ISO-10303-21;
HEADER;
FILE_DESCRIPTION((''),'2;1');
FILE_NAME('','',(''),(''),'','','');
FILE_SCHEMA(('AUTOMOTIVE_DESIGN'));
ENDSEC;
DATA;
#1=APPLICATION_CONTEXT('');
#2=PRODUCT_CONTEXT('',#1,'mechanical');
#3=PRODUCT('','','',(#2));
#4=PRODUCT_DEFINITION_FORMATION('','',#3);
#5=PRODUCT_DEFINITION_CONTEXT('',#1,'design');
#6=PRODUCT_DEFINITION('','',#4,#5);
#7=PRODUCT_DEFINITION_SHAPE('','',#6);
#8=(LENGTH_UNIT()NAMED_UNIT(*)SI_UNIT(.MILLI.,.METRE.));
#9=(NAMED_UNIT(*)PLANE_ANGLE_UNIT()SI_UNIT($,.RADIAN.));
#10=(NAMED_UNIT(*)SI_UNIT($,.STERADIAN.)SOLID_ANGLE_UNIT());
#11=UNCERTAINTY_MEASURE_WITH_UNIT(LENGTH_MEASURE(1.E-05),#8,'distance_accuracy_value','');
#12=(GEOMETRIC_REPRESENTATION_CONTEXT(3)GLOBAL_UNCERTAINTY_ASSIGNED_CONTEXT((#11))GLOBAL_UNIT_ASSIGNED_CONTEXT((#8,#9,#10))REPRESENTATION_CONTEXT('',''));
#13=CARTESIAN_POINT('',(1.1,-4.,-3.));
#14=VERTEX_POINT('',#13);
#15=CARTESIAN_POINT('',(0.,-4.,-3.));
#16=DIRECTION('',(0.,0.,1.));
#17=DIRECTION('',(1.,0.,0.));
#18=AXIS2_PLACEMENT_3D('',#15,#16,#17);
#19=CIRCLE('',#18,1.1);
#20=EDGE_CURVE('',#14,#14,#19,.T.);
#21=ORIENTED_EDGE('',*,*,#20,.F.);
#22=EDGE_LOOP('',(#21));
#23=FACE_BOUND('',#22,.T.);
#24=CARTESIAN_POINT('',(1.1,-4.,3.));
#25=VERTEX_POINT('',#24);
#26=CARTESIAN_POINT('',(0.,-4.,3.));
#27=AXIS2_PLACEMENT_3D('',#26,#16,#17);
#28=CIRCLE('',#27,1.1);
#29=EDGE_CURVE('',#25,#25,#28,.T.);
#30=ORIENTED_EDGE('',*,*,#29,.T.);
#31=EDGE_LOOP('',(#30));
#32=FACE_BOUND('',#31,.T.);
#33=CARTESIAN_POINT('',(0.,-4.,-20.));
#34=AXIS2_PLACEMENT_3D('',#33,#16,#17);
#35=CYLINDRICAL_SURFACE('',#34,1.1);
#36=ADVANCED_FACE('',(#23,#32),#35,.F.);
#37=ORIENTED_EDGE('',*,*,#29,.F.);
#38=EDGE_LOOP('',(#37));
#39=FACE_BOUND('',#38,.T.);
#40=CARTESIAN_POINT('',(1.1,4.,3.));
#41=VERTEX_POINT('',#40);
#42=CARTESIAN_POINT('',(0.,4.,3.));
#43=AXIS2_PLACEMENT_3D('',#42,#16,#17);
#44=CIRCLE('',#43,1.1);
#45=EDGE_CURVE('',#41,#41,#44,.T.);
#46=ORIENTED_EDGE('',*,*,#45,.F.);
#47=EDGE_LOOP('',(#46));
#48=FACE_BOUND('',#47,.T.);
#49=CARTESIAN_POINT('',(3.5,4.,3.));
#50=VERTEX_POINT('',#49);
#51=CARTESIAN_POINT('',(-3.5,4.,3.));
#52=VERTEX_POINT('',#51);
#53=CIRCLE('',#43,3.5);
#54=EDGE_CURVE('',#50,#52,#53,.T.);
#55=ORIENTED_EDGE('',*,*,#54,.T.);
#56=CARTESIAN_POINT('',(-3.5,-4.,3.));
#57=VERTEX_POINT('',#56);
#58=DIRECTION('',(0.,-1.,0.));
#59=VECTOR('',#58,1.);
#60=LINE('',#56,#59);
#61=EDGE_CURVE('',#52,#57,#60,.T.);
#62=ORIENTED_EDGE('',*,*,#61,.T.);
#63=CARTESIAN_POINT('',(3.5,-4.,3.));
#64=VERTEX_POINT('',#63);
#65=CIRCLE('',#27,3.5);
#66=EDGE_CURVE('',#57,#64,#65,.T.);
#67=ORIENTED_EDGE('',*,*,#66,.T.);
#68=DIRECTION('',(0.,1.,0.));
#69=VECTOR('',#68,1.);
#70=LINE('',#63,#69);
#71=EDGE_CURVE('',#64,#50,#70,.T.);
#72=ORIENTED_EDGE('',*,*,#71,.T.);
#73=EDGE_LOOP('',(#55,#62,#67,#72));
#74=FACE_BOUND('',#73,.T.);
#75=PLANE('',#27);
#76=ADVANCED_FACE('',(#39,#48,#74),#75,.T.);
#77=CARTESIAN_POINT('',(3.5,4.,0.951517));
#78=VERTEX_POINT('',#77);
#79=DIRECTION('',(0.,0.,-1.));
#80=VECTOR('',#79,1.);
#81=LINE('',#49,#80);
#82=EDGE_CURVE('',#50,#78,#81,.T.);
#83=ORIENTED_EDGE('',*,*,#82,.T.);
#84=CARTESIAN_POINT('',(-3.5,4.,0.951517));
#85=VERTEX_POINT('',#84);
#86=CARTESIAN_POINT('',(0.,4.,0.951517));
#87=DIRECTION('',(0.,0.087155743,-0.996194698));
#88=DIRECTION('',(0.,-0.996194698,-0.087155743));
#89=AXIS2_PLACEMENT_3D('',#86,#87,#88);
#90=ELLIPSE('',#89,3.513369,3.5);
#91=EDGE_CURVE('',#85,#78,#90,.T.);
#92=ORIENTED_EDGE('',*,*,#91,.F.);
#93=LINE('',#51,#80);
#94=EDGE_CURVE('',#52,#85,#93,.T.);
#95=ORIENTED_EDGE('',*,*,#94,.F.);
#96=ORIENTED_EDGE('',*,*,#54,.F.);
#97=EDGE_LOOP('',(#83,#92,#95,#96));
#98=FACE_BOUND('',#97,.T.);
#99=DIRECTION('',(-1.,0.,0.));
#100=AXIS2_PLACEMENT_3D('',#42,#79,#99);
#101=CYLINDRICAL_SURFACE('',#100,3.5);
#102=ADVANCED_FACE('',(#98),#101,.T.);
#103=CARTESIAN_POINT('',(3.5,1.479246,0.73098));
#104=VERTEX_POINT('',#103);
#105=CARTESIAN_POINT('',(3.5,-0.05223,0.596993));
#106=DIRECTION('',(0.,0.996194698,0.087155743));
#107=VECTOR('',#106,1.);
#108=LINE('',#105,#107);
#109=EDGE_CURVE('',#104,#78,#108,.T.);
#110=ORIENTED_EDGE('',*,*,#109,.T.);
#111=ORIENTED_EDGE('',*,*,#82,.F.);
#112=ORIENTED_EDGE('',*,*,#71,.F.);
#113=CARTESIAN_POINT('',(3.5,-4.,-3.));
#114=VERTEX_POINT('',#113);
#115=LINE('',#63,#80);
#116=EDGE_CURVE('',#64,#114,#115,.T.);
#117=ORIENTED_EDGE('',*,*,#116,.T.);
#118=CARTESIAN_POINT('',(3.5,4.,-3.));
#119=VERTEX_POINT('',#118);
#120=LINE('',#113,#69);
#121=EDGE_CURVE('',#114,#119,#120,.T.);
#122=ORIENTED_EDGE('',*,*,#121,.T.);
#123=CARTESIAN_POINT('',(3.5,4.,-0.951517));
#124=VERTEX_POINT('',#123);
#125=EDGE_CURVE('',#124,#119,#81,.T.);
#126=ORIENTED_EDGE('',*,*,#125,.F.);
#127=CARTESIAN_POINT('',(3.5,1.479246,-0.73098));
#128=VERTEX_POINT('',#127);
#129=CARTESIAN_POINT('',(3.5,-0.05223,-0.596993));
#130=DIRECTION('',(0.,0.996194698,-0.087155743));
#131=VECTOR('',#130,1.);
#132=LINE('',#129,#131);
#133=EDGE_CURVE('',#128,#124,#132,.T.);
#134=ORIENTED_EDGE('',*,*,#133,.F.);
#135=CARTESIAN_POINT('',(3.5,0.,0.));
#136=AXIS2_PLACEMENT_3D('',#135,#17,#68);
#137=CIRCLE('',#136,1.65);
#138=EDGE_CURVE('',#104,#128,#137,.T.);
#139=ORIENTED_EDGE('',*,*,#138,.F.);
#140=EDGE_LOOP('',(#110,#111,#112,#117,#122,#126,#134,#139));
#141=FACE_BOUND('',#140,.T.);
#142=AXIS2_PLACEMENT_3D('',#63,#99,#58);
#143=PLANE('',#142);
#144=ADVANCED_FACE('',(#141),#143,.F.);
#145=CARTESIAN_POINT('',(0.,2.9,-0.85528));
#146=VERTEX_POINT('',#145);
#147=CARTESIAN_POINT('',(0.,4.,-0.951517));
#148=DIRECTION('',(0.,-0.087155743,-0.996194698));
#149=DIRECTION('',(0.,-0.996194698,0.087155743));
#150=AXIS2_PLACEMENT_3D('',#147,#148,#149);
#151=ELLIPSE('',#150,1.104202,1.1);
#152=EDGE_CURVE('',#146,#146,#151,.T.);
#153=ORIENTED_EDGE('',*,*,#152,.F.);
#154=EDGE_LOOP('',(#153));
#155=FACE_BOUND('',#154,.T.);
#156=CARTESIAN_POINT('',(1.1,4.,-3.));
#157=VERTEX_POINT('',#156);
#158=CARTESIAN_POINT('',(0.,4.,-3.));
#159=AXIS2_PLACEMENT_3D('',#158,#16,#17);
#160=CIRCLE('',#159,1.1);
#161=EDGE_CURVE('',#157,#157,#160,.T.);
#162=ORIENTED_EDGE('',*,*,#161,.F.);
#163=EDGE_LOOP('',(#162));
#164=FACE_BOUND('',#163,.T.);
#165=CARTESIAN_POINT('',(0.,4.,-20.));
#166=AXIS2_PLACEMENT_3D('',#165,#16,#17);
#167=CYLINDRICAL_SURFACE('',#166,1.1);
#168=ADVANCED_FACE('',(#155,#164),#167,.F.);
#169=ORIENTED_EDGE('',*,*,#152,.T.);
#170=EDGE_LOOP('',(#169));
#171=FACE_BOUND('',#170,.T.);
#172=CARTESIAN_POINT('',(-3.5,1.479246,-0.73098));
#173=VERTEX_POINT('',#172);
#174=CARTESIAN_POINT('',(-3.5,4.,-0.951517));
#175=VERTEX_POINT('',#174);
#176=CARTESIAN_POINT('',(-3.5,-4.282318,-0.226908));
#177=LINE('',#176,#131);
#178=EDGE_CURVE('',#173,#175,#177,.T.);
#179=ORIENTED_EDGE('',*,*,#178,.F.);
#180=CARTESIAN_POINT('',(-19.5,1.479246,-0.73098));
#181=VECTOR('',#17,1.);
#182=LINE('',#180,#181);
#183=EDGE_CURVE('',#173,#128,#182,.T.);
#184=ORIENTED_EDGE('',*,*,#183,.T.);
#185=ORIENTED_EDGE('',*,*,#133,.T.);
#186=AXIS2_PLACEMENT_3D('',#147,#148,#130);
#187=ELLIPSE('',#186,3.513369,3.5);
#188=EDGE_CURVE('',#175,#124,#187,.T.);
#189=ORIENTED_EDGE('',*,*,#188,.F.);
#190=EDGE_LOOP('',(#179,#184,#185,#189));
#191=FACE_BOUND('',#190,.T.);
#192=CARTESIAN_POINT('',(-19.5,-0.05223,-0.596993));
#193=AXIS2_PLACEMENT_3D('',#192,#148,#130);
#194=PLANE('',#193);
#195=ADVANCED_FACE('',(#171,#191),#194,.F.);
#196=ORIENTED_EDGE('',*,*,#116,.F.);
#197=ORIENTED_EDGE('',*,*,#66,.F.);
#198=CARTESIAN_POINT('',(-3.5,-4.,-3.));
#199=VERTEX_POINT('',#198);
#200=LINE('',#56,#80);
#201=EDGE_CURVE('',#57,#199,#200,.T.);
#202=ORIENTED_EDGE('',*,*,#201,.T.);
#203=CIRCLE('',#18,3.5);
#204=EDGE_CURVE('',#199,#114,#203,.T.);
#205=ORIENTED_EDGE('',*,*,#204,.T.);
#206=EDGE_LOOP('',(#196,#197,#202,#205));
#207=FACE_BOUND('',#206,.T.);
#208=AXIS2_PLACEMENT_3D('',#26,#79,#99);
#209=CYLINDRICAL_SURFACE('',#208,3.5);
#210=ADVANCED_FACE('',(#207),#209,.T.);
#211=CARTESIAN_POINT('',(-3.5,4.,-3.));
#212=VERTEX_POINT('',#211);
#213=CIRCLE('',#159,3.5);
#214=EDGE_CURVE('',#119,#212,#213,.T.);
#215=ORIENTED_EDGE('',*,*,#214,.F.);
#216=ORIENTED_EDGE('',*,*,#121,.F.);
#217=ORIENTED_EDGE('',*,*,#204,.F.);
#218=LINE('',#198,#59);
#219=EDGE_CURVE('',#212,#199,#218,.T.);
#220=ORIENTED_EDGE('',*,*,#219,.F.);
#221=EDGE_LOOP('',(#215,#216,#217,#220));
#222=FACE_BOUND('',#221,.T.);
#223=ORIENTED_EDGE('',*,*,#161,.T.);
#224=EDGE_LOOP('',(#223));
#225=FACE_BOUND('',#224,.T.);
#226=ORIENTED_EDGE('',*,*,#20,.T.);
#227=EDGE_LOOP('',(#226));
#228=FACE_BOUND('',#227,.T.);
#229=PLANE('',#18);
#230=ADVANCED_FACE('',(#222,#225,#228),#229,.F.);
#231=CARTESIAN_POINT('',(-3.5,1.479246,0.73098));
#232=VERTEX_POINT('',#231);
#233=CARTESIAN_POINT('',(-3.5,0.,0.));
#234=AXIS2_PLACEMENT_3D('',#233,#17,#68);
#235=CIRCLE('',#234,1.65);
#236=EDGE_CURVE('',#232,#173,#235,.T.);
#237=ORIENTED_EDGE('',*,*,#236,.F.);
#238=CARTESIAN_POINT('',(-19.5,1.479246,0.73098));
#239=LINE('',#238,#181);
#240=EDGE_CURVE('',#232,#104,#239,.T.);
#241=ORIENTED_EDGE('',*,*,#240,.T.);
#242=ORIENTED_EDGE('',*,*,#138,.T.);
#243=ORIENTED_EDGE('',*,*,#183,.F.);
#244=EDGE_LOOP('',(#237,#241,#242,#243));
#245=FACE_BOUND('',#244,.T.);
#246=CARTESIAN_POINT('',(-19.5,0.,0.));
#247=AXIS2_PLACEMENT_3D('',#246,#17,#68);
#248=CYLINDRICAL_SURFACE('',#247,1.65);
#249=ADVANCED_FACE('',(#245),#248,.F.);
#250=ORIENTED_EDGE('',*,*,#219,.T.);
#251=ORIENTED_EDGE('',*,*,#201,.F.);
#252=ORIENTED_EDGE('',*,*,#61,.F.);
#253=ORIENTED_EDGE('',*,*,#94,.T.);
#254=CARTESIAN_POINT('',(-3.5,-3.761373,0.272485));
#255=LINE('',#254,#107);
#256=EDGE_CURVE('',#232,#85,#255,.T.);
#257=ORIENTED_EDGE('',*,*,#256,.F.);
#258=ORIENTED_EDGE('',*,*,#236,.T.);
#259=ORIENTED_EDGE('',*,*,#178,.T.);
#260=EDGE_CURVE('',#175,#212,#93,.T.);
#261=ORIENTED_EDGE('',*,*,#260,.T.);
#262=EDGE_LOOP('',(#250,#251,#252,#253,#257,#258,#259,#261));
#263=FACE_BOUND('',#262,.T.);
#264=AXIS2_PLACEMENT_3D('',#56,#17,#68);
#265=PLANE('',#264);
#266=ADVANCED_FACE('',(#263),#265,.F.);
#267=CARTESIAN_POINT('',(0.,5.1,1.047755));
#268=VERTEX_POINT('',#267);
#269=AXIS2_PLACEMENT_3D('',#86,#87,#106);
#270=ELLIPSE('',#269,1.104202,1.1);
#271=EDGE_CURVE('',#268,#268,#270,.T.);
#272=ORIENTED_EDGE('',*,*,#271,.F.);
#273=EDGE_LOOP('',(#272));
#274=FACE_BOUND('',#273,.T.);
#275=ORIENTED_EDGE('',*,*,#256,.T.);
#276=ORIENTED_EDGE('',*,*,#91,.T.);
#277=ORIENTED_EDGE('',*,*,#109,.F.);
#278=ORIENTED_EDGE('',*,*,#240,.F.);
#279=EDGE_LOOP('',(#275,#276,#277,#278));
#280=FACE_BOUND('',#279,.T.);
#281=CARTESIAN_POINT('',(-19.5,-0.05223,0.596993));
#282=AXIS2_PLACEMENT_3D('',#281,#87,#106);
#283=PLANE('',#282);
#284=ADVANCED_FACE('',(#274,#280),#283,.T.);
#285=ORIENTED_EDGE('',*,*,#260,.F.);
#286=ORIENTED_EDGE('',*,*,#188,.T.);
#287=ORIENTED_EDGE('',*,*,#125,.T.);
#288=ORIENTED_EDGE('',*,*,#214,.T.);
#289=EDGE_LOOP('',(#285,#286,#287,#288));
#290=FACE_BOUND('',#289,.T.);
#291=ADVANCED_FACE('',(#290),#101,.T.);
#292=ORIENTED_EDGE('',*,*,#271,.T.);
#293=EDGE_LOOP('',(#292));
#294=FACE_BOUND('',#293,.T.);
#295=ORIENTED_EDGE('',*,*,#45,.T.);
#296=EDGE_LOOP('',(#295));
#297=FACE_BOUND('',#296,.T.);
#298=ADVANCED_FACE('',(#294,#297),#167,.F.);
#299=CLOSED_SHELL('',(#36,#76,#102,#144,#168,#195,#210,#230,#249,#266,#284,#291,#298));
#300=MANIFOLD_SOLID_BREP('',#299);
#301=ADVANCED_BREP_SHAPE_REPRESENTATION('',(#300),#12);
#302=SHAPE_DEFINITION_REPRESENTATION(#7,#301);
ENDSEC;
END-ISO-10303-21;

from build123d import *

# Parameters (mm, degrees)
EXTRUDE_1_DEPTH     = 3
SKETCH_2_R          = 1.65
CUT_EXTRUDE_2_DEPTH = 23
SKETCH_3_R          = 1.1
CUT_EXTRUDE_3_DEPTH = 23
SKETCH_4_R          = 1.1
CUT_EXTRUDE_4_DEPTH = 23


with BuildPart() as part:
    # 草图1 → 凸台-拉伸1 (new, symmetric)
    with BuildSketch(Plane.XY):
        with BuildLine():
            Line((-3.5, -4), (-3.5, 4))
            ThreePointArc((-3.5, 4), (0, 7.5), (3.5, 4))
            Line((3.5, 4), (3.5, -4))
            ThreePointArc((3.5, -4), (0, -7.5), (-3.5, -4))
        make_face()
    extrude(amount=EXTRUDE_1_DEPTH, both=True)

    # 草图2 → 切除-拉伸2 (cut)
    with BuildSketch(Plane(origin=(3.5, 0, 0), x_dir=(0, 0, -1), z_dir=(1, 0, 0))):
        Circle(SKETCH_2_R)
        Polygon((-0.730979877, 1.479245895), (-1.405289173, 9.186636415), (1.405289173, 9.186636415), (0.730979877, 1.479245895), (0, 1.479245895), align=None)
    extrude(amount=-CUT_EXTRUDE_2_DEPTH, mode=Mode.SUBTRACT)

    # 草图3 → 切除-拉伸3 (cut)
    with BuildSketch(Plane.XY.offset(3)):
        with Locations((0, 4)):
            Circle(SKETCH_3_R)
    extrude(amount=-CUT_EXTRUDE_3_DEPTH, mode=Mode.SUBTRACT)

    # 草图4 → 切除-拉伸4 (cut)
    with BuildSketch(Plane.XY.offset(3)):
        with Locations((0, -4)):
            Circle(SKETCH_4_R)
    extrude(amount=-CUT_EXTRUDE_4_DEPTH, mode=Mode.SUBTRACT)


solid = part.part
